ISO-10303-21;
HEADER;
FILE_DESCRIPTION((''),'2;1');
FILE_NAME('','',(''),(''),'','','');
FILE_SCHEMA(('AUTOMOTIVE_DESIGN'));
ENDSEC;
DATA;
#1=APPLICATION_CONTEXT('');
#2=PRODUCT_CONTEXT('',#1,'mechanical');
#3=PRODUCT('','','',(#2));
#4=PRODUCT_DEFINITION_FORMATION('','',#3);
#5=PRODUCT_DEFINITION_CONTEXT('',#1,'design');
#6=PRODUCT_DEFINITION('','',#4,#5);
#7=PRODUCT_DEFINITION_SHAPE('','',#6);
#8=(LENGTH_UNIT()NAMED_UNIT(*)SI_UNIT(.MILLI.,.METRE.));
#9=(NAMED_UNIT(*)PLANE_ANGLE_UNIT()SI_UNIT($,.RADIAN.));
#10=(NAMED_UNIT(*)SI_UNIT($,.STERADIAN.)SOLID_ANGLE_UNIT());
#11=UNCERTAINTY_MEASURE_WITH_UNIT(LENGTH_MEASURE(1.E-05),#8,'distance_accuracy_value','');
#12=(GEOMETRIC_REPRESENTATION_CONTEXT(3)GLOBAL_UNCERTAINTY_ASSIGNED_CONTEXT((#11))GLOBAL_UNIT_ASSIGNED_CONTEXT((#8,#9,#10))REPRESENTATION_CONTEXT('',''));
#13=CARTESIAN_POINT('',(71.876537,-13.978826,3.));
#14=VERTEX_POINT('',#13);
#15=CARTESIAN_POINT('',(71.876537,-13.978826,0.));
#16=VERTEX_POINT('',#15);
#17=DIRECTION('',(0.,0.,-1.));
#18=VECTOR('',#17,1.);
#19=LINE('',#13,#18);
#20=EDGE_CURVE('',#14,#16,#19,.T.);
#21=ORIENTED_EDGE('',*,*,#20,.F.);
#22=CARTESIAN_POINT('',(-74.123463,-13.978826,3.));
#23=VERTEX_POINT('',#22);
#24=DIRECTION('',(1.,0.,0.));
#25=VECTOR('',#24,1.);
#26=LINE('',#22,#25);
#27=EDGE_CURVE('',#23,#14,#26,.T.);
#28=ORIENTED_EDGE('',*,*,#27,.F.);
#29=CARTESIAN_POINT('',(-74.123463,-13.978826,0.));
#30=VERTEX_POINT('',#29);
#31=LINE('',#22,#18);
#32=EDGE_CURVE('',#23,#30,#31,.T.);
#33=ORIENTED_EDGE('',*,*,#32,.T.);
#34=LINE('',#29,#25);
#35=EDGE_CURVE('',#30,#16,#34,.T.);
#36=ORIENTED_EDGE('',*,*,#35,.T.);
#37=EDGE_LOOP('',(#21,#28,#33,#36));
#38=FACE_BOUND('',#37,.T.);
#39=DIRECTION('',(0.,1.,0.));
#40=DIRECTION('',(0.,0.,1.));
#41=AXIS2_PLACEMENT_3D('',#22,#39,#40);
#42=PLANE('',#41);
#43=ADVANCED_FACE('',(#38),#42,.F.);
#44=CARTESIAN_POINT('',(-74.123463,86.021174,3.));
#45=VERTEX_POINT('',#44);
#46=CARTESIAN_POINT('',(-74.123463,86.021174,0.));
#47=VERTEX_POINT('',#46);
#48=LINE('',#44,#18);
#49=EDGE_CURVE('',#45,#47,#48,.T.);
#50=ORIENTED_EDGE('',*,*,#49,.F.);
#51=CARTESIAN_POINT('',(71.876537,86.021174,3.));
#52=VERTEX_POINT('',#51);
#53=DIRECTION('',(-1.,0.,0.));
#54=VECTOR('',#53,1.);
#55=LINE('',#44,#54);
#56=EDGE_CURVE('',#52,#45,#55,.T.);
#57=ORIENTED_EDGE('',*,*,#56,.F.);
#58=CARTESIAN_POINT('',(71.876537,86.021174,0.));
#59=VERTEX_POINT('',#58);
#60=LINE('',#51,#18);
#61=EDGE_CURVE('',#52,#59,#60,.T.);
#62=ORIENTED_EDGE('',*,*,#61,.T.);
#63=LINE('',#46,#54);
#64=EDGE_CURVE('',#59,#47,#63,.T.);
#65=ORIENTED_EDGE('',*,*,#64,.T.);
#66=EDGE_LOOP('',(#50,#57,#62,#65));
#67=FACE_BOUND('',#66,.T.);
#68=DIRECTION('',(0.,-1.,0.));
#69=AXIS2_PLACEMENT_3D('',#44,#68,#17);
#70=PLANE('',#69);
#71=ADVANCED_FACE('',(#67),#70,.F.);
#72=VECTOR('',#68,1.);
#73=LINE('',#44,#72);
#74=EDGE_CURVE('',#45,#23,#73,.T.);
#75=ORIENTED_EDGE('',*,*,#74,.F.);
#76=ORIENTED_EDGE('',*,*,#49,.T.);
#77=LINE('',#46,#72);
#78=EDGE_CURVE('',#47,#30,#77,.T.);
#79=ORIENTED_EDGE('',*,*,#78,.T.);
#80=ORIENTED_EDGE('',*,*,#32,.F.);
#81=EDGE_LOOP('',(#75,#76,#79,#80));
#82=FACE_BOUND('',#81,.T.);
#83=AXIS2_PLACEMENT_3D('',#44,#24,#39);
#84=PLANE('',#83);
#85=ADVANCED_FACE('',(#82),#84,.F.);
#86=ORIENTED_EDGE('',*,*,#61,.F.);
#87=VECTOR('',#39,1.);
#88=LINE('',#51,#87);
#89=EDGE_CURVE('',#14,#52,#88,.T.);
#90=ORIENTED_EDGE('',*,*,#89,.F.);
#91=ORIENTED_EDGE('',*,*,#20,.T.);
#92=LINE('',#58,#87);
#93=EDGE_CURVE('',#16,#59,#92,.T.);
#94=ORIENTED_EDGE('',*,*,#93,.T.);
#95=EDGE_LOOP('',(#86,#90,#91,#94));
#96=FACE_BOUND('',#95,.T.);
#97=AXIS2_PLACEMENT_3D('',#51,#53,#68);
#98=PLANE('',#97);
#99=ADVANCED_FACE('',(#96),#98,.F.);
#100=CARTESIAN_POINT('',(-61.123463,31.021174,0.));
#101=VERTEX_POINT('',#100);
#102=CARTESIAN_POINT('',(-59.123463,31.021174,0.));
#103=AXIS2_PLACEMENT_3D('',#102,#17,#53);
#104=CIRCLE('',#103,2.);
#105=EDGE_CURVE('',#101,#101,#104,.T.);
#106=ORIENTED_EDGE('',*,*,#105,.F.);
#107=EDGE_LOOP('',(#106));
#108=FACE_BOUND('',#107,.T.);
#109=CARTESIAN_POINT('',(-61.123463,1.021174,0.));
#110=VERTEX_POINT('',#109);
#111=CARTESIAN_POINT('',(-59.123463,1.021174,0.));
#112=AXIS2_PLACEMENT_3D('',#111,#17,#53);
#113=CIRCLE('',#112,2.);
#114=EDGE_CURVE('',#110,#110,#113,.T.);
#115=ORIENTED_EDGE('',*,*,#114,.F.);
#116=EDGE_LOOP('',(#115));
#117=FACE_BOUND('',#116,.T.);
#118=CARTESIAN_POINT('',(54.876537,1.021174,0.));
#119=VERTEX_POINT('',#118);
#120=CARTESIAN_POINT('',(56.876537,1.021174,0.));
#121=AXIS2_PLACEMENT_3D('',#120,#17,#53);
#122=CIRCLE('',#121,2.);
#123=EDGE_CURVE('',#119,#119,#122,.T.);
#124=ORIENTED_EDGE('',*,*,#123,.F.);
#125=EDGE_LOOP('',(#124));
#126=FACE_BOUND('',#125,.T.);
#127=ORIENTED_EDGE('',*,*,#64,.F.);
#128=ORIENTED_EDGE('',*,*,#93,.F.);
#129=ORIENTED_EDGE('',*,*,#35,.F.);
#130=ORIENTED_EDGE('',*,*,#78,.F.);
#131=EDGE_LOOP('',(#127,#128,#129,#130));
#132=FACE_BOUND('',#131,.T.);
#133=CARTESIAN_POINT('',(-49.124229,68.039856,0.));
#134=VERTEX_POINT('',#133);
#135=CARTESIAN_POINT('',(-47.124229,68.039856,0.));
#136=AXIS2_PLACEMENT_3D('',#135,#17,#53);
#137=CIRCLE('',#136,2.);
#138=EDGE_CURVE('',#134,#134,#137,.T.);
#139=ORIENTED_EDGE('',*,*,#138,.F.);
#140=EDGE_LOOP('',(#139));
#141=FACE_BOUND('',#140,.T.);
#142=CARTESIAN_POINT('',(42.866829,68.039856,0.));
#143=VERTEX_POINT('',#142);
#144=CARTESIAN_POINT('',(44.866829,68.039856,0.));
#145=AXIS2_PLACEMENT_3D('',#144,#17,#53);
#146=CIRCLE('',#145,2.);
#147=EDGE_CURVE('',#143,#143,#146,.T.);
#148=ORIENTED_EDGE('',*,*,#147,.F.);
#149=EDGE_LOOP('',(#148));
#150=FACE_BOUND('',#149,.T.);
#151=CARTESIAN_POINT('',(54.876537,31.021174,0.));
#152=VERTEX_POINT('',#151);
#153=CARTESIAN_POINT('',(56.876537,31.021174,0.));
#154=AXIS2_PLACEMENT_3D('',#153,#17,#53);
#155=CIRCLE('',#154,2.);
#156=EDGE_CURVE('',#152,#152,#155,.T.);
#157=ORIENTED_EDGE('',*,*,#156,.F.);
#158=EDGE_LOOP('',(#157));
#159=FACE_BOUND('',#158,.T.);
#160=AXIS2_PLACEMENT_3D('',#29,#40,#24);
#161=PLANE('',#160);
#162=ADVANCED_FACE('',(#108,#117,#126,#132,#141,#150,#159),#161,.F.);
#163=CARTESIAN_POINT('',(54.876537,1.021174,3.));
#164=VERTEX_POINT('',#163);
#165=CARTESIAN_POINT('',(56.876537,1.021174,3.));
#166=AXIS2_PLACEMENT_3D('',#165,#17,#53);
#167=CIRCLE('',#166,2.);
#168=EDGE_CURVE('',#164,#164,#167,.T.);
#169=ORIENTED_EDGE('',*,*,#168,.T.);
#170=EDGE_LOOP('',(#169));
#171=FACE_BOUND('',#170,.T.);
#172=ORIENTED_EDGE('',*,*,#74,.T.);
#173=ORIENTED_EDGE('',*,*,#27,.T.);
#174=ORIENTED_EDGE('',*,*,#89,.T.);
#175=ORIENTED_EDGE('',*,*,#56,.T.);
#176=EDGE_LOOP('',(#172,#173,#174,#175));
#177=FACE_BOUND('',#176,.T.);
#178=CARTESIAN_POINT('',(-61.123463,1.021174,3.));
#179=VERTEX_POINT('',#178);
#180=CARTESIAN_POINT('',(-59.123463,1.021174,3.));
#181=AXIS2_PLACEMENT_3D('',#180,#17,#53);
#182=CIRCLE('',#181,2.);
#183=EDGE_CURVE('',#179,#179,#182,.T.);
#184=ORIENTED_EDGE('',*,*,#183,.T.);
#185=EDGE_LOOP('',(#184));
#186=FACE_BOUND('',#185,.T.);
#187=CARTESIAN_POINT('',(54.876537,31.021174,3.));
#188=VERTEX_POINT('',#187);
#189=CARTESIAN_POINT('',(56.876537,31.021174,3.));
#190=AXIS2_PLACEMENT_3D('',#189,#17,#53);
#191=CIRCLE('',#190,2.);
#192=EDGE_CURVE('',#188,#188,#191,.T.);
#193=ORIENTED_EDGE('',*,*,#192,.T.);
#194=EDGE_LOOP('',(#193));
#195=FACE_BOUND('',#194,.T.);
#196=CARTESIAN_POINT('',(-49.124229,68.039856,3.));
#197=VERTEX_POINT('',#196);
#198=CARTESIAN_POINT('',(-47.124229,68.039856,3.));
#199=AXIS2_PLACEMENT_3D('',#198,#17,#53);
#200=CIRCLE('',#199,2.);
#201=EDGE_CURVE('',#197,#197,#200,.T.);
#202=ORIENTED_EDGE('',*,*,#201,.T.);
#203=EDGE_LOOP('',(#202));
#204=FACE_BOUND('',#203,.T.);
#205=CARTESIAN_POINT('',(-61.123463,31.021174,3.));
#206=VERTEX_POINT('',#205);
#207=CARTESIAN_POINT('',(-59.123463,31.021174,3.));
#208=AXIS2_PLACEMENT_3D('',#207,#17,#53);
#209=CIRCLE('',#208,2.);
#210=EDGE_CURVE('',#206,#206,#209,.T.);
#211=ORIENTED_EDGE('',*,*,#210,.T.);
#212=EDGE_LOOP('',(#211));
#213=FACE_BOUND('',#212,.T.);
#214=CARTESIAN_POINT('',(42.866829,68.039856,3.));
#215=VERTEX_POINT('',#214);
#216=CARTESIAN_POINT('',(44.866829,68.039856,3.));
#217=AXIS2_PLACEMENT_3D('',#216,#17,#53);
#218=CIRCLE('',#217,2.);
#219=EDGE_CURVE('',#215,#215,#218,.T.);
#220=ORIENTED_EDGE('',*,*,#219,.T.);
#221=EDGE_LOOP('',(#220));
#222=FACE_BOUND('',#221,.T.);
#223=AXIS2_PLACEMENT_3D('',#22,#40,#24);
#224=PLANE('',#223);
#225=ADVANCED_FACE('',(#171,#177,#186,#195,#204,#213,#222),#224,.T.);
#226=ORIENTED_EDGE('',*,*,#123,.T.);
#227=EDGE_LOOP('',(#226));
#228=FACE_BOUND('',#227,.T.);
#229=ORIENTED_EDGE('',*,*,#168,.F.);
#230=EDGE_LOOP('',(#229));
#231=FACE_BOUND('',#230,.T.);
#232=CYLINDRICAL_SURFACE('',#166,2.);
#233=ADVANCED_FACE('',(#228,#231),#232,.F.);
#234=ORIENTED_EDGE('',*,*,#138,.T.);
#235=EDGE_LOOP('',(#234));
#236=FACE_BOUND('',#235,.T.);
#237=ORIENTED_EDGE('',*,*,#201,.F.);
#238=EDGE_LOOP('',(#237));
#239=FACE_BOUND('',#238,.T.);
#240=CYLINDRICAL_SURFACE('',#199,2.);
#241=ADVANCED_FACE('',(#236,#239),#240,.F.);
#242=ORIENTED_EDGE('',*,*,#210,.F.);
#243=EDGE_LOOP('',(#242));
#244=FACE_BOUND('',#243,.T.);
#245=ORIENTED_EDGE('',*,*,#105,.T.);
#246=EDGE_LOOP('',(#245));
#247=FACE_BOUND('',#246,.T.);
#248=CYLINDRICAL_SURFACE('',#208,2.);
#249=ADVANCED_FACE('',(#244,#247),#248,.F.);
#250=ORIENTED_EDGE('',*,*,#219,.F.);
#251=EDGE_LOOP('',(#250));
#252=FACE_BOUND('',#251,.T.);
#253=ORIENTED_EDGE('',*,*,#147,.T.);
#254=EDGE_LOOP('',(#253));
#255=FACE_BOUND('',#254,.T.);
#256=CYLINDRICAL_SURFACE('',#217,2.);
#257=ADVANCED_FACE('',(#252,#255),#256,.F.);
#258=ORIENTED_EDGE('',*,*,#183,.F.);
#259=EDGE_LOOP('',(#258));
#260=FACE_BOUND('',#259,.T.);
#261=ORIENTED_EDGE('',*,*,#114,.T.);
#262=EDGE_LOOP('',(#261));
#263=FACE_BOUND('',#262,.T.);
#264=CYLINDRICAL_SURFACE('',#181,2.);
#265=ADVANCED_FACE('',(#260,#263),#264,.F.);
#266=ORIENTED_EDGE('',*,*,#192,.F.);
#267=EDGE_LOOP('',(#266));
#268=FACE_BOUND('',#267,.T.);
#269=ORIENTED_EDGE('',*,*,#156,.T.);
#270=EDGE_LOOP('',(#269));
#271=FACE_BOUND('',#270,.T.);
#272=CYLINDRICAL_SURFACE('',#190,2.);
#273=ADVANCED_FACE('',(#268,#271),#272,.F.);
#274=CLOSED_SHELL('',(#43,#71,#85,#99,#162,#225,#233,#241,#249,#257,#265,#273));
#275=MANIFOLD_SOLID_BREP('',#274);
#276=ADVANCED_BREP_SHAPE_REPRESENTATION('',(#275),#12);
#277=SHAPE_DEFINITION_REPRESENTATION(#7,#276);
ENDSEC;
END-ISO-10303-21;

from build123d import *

# Parameters (mm, degrees)
SKETCH1_W           = 146
SKETCH1_H           = 100
BOSS_EXTRUDE1_DEPTH = 3
SKETCH2_R           = 2
CUT_EXTRUDE1_DEPTH  = 4
SKETCH3_R           = 2
CUT_EXTRUDE2_DEPTH  = 4
SKETCH4_R           = 2
CUT_EXTRUDE3_DEPTH  = 4


with BuildPart() as part:
    # Sketch1 → Boss-Extrude1 (new body)
    with BuildSketch(Plane.XY):
        with Locations((-1.123462833, 36.021174275)):
            Rectangle(SKETCH1_W, SKETCH1_H)
    extrude(amount=BOSS_EXTRUDE1_DEPTH)

    # Sketch2 → Cut-Extrude1 (cut, through all)
    with BuildSketch(Plane(origin=(0, 0, 0), x_dir=(-1, 0, 0), z_dir=(0, 0, -1))):
        with Locations((59.123462833, 1.021174275)):
            Circle(SKETCH2_R)
        with Locations((-56.876537167, 1.021174275)):
            Circle(SKETCH2_R)
    extrude(amount=-CUT_EXTRUDE1_DEPTH, mode=Mode.SUBTRACT)

    # Sketch3 → Cut-Extrude2 (cut, through all)
    with BuildSketch(Plane(origin=(0, 0, 0), x_dir=(-1, 0, 0), z_dir=(0, 0, -1))):
        with Locations((-56.876537167, 31.021174275)):
            Circle(SKETCH3_R)
        with Locations((59.123462833, 31.021174275)):
            Circle(SKETCH3_R)
    extrude(amount=-CUT_EXTRUDE2_DEPTH, mode=Mode.SUBTRACT)

    # Sketch4 → Cut-Extrude3 (cut, through all)
    with BuildSketch(Plane(origin=(0, 0, 0), x_dir=(-1, 0, 0), z_dir=(0, 0, -1))):
        with Locations((-44.866828557, 68.039856286)):
            Circle(SKETCH4_R)
        with Locations((47.124228631, 68.039856286)):
            Circle(SKETCH4_R)
    extrude(amount=-CUT_EXTRUDE3_DEPTH, mode=Mode.SUBTRACT)


solid = part.part
